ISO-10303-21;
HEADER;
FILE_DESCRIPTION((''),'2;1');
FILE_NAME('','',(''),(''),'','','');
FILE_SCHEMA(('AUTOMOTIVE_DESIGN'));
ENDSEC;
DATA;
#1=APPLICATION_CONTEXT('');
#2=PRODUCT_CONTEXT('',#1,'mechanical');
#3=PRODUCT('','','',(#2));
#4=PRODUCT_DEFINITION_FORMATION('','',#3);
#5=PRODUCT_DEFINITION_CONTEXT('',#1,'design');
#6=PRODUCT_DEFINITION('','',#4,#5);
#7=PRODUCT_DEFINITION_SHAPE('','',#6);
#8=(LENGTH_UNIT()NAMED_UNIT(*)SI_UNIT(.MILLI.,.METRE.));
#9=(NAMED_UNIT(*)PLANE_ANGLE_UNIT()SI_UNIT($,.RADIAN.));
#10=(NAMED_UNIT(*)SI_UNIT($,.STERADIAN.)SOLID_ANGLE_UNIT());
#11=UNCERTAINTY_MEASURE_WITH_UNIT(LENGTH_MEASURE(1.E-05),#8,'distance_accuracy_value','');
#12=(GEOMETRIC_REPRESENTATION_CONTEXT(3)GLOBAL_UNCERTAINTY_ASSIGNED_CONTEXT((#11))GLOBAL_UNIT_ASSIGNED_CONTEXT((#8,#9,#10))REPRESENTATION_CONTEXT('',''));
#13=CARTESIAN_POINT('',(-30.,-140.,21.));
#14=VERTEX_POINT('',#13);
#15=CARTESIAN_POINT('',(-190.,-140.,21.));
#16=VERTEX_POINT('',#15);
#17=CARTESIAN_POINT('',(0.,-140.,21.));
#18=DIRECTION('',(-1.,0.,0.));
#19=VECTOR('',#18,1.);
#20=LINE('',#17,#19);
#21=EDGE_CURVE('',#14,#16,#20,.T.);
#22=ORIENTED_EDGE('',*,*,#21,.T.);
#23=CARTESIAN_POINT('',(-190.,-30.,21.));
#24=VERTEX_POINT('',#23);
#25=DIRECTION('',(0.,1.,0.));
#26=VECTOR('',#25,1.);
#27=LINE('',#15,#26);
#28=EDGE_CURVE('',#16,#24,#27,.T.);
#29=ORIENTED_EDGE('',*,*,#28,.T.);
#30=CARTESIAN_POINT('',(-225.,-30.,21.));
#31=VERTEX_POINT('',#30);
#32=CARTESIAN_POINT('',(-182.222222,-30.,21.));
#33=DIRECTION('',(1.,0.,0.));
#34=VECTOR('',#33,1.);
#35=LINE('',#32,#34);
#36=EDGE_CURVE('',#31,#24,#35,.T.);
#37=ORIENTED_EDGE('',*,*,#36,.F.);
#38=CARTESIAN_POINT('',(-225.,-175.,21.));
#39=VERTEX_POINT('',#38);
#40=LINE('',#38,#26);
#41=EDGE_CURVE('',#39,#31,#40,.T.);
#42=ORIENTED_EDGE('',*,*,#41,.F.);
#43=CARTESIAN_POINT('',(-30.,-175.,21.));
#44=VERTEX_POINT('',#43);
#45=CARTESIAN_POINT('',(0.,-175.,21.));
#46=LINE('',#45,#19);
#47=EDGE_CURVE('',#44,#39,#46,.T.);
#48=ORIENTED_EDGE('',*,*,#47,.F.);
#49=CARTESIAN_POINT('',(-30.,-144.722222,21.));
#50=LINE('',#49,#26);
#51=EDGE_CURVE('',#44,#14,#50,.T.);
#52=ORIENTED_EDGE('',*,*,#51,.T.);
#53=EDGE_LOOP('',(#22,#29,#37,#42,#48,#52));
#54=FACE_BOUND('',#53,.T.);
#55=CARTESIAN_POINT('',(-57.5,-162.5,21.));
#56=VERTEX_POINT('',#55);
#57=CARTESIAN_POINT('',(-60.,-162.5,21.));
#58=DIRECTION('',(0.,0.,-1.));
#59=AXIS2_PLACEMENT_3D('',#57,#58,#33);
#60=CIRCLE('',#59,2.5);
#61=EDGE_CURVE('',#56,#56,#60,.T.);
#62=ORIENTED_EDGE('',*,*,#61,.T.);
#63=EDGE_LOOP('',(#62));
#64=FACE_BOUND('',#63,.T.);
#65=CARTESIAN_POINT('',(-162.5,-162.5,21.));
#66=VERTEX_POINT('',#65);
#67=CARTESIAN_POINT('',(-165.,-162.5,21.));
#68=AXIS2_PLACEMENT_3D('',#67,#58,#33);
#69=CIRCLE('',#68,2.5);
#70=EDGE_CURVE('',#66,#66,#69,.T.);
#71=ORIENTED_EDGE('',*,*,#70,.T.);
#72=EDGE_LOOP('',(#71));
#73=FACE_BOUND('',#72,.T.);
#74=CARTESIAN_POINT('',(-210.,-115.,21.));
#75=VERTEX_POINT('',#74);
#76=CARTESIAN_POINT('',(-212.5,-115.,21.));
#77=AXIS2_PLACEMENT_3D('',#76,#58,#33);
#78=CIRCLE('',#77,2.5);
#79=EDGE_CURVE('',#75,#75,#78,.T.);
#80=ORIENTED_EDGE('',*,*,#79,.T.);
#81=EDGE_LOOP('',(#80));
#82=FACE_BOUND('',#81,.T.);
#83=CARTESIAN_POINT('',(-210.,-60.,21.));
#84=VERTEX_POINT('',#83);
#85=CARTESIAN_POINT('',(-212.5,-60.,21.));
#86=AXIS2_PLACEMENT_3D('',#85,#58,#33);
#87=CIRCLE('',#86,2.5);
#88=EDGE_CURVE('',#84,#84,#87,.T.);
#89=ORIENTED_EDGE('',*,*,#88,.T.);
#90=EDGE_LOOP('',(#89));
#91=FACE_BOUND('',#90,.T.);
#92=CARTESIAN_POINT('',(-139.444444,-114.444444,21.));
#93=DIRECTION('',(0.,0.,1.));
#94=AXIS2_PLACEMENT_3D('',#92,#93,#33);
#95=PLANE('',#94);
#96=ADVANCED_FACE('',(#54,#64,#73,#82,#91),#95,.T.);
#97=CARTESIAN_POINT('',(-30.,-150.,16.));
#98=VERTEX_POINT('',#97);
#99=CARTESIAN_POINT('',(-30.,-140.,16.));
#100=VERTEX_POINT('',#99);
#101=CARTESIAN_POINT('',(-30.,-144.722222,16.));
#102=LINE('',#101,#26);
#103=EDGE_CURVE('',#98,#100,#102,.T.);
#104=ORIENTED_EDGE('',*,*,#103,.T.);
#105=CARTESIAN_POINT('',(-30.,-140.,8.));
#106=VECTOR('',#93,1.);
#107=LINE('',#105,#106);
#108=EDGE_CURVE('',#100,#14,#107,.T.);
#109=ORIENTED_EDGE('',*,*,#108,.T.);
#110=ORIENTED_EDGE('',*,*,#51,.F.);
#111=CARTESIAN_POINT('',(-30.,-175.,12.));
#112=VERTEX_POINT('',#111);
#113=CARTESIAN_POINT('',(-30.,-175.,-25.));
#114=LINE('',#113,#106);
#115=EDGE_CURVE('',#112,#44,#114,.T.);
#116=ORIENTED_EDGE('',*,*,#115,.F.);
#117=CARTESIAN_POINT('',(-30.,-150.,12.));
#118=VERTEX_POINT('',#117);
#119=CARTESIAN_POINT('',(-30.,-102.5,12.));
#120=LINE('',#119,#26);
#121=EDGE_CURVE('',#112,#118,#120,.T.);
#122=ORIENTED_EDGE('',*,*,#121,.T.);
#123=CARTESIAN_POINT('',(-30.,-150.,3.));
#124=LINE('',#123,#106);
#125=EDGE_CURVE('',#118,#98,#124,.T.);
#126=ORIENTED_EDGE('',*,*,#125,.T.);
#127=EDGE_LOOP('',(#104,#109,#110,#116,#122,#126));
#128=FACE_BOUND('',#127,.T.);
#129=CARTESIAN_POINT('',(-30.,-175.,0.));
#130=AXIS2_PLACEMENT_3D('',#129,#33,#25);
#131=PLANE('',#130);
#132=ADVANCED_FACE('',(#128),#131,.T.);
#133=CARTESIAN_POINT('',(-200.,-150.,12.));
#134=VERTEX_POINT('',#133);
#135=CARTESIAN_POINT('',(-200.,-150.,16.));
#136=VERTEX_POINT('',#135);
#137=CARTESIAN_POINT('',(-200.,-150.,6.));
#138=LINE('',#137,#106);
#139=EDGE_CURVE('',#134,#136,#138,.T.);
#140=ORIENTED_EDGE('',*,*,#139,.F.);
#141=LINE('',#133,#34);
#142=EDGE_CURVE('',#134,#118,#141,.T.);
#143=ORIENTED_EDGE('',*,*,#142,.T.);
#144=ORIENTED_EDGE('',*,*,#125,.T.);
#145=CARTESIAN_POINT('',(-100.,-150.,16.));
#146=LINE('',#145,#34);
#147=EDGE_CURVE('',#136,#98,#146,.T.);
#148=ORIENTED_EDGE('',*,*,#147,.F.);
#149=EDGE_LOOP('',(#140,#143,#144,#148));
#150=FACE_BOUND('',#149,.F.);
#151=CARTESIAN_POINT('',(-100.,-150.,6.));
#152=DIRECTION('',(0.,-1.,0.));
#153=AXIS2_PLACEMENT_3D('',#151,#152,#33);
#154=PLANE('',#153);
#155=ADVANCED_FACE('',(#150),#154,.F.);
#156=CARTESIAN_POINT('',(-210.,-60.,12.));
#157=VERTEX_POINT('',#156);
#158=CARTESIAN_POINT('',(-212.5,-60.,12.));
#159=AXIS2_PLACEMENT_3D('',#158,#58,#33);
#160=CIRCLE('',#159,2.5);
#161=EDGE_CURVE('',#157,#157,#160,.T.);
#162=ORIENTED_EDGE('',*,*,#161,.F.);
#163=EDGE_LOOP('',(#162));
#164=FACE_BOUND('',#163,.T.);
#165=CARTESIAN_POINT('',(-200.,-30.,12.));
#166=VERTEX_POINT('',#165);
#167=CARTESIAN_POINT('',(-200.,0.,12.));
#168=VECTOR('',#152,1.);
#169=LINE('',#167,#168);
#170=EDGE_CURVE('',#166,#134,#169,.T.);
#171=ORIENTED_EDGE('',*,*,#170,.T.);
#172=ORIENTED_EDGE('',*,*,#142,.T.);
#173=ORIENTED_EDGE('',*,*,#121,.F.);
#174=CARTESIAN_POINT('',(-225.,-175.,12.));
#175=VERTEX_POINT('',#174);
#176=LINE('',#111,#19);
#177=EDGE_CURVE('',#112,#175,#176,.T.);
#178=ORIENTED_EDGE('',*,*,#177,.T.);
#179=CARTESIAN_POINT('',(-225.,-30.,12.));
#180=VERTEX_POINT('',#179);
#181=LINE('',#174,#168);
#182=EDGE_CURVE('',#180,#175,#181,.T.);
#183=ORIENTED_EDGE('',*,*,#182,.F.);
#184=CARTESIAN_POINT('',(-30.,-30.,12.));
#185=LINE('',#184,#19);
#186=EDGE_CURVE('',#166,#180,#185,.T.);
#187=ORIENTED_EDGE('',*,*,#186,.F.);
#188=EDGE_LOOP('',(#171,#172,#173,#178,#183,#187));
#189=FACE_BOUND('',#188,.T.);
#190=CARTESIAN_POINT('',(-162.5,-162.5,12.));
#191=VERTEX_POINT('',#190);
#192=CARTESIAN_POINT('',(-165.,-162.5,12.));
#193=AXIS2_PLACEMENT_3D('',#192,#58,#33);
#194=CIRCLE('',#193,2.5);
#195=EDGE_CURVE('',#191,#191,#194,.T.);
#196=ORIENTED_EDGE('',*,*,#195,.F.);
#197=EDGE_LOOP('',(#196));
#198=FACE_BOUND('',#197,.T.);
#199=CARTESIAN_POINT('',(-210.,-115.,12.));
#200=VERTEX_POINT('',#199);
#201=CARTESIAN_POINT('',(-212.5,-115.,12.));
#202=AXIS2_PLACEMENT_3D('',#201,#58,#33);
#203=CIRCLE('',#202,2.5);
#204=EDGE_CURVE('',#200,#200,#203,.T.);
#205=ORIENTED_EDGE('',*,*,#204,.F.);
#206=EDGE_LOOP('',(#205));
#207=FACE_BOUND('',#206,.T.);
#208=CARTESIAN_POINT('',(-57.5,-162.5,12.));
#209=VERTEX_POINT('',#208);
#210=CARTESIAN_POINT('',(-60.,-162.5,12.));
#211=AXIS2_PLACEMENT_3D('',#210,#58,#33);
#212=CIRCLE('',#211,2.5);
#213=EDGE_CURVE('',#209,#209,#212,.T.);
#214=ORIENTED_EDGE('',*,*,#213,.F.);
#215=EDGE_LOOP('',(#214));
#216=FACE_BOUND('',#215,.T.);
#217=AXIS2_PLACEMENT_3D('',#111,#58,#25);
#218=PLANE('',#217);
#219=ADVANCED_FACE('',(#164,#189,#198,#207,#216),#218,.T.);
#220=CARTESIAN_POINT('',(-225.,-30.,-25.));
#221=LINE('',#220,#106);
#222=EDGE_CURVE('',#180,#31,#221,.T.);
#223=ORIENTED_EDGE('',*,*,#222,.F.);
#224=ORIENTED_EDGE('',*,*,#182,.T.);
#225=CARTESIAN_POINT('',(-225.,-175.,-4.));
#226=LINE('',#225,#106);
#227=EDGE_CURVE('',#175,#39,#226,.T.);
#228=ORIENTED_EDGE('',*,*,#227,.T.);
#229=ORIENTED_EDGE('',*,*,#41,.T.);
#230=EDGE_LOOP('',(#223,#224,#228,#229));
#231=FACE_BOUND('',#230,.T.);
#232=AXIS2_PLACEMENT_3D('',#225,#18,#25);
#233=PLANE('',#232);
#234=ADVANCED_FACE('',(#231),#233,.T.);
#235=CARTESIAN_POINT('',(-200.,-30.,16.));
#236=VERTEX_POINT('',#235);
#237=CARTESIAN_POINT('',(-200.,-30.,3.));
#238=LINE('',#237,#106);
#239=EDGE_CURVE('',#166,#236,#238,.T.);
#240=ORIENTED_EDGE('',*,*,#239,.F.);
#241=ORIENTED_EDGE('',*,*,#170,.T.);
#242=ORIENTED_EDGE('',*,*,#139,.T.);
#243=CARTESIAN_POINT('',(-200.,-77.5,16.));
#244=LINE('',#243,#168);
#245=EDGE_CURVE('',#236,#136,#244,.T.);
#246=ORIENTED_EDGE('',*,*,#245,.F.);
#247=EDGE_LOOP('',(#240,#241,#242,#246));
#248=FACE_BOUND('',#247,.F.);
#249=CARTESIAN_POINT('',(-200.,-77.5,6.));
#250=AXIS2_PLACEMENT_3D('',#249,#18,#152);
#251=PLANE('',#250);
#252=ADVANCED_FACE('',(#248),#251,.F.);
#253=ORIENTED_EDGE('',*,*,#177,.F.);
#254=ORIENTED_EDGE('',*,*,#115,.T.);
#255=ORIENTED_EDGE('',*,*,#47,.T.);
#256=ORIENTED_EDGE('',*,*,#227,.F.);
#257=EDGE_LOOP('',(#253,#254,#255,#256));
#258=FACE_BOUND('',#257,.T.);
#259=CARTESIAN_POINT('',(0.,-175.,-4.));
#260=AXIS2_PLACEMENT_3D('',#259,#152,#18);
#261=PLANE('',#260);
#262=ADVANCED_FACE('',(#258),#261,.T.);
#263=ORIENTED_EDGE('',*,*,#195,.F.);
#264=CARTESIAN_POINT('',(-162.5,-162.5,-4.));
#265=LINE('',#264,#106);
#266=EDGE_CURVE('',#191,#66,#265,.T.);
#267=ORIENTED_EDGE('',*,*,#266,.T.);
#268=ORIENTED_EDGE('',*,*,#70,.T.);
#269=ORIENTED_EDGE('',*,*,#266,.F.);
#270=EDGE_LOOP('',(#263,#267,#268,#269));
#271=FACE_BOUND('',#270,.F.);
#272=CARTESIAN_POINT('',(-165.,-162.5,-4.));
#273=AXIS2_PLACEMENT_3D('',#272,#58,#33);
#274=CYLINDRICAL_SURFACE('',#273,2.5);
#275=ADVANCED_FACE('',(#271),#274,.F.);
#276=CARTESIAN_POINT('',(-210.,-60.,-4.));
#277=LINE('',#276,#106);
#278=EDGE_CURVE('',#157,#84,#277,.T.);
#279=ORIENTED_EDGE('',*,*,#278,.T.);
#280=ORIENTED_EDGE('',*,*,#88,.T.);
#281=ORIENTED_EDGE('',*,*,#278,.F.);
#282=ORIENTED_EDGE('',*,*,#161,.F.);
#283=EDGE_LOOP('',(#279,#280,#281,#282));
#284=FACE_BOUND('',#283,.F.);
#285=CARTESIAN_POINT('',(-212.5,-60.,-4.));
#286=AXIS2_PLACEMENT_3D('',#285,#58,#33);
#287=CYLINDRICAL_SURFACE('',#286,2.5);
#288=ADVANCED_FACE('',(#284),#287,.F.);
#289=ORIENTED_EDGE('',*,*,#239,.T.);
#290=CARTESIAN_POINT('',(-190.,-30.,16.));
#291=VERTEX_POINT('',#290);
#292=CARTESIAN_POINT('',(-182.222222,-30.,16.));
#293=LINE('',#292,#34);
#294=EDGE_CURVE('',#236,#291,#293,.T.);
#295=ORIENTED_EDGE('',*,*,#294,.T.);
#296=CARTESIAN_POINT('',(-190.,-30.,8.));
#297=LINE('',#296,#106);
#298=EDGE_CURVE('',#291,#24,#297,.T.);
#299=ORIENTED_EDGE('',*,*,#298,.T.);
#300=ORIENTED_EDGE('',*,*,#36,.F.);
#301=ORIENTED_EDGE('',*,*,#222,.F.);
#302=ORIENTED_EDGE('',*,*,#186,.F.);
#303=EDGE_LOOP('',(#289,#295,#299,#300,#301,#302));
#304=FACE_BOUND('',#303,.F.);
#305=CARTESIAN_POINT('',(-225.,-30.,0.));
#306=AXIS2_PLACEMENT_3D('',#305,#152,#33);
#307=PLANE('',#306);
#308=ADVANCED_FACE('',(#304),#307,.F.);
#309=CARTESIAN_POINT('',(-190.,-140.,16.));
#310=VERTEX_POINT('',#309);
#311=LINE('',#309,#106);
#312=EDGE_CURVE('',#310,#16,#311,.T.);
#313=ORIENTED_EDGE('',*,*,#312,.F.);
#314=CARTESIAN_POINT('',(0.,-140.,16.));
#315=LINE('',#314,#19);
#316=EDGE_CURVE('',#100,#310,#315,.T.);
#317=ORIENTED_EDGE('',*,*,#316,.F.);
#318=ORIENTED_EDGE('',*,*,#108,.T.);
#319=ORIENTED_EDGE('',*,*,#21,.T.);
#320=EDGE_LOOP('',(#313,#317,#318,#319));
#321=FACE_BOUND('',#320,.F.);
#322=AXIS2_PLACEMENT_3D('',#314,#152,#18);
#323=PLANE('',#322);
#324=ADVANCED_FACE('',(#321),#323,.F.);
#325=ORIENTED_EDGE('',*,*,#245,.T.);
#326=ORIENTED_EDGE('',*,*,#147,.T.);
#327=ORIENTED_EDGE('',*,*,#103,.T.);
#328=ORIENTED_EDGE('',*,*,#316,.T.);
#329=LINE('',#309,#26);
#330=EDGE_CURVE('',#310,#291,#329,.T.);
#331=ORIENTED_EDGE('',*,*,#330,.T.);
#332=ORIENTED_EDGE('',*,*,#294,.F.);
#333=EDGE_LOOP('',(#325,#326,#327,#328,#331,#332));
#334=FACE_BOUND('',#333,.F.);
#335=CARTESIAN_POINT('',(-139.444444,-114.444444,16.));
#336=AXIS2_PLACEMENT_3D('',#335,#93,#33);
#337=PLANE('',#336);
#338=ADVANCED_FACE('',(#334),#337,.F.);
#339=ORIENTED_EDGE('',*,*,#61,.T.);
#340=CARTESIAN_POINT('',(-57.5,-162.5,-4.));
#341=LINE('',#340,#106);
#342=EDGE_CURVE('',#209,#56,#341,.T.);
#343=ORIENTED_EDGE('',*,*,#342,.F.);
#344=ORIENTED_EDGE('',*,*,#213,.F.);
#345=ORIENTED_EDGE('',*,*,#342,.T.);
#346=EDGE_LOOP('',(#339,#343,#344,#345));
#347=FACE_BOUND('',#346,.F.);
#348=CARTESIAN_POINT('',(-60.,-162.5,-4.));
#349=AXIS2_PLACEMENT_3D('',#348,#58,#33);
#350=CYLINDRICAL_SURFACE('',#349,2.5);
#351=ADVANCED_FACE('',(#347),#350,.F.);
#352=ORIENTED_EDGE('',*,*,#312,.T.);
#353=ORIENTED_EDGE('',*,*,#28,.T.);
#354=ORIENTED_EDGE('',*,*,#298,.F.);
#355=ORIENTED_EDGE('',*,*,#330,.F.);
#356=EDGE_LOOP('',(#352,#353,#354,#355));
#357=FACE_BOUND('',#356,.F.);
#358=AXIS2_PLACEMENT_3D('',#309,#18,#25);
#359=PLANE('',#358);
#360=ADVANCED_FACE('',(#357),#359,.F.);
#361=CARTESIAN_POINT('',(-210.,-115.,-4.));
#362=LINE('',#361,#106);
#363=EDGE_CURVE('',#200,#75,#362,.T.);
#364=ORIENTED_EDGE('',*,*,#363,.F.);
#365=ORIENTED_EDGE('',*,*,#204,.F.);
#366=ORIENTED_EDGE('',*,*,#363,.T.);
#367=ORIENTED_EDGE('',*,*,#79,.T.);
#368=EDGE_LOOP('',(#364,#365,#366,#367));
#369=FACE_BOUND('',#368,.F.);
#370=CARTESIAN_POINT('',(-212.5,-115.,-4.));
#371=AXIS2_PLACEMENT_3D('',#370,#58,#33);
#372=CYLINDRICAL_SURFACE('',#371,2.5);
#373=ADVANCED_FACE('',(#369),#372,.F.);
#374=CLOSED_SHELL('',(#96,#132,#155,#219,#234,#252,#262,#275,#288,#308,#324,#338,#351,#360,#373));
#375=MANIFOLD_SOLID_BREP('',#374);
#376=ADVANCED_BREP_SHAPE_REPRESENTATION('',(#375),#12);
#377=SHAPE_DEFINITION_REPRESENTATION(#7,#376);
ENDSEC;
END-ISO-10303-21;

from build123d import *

# Parameters (mm, degrees)
F1_DEPTH  = 12
F2_W      = 200
F2_H      = 20
F3_DEPTH  = 5
F4_W      = 155
F4_H      = 20
F5_DEPTH  = 5
F6_R      = 2.5
F7_DEPTH  = 25
F9_DEPTH  = 5
F10_W     = 195
F10_H     = 30
F10_W_2   = 30
F10_H_2   = 145
F11_DEPTH = 25
F12_W     = 145
F12_H     = 16
F13_DEPTH = 195.0010001


with BuildPart() as f1:
    # F0 (on Top) → F1 (new body)
    with BuildSketch(Plane.XY):
        with BuildLine():
            add(Edge.make_bspline(
                [(-176, 0), (-176, -130), (0, -130)],
                knots=[3.1415926536, 3.1415926536, 3.1415926536, 4.7123889804, 4.7123889804, 4.7123889804], degree=2, weights=[1, 0.7071067812, 1]))
            Line((-176, 0), (-176, -130))
            Line((-176, -130), (0, -130))
        make_face()
        Polygon((-176, -130), (-176, 0), (-200, 0), (-200, -150), (0, -150), (0, -130), align=None)
    extrude(amount=F1_DEPTH)

    # F2 (on face) → F3 (join)
    with BuildSketch(Plane.XZ.offset(150)):
        with Locations((-100, 6)):
            Rectangle(F2_W, F2_H)
    extrude(amount=F3_DEPTH)

    # F4 (on face) → F5 (join)
    with BuildSketch(Plane(origin=(-200, 0, 0), x_dir=(0, -1, 0), z_dir=(-1, 0, 0))):
        with Locations((77.5, 6)):
            Rectangle(F4_W, F4_H)
    extrude(amount=F5_DEPTH)

    # F6 (on face) → F7 (join)
    with BuildSketch(Plane(origin=(0, 0, -4), x_dir=(1, 0, 0), z_dir=(0, 0, -1))):
        Polygon((0, 155), (0, 175), (-225, 175), (-225, 0), (-205, 0), (-205, 155), align=None)
        with Locations((-212.5, 60)):
            Circle(F6_R, mode=Mode.SUBTRACT)
        with Locations((-212.5, 115)):
            Circle(F6_R, mode=Mode.SUBTRACT)
        with Locations((-165, 162.5)):
            Circle(F6_R, mode=Mode.SUBTRACT)
        with Locations((-60, 162.5)):
            Circle(F6_R, mode=Mode.SUBTRACT)
    extrude(amount=-F7_DEPTH)

    # F8 (on face) → F9 (join)
    with BuildSketch(Plane.XY.offset(16)):
        Polygon((-190, 0), (-205, 0), (-205, -155), (0, -155), (0, -140), (-190, -140), align=None)
    extrude(amount=F9_DEPTH)

    # F10 (on Top) → F11 (cut, symmetric)
    with BuildSketch(Plane.XY):
        with Locations((-127.5, -15)):
            Rectangle(F10_W, F10_H)
        with Locations((-15, -15)):
            Rectangle(F10_W_2, F10_H)
        with Locations((-15, -102.5)):
            Rectangle(F10_W_2, F10_H_2)
    extrude(amount=F11_DEPTH, both=True, mode=Mode.SUBTRACT)

    # F12 (on face) → F13 (cut, through all)
    with BuildSketch(Plane.YZ.offset(-30)):
        with Locations((-102.5, 4)):
            Rectangle(F12_W, F12_H)
    extrude(amount=-F13_DEPTH, mode=Mode.SUBTRACT)


solid = f1.part
